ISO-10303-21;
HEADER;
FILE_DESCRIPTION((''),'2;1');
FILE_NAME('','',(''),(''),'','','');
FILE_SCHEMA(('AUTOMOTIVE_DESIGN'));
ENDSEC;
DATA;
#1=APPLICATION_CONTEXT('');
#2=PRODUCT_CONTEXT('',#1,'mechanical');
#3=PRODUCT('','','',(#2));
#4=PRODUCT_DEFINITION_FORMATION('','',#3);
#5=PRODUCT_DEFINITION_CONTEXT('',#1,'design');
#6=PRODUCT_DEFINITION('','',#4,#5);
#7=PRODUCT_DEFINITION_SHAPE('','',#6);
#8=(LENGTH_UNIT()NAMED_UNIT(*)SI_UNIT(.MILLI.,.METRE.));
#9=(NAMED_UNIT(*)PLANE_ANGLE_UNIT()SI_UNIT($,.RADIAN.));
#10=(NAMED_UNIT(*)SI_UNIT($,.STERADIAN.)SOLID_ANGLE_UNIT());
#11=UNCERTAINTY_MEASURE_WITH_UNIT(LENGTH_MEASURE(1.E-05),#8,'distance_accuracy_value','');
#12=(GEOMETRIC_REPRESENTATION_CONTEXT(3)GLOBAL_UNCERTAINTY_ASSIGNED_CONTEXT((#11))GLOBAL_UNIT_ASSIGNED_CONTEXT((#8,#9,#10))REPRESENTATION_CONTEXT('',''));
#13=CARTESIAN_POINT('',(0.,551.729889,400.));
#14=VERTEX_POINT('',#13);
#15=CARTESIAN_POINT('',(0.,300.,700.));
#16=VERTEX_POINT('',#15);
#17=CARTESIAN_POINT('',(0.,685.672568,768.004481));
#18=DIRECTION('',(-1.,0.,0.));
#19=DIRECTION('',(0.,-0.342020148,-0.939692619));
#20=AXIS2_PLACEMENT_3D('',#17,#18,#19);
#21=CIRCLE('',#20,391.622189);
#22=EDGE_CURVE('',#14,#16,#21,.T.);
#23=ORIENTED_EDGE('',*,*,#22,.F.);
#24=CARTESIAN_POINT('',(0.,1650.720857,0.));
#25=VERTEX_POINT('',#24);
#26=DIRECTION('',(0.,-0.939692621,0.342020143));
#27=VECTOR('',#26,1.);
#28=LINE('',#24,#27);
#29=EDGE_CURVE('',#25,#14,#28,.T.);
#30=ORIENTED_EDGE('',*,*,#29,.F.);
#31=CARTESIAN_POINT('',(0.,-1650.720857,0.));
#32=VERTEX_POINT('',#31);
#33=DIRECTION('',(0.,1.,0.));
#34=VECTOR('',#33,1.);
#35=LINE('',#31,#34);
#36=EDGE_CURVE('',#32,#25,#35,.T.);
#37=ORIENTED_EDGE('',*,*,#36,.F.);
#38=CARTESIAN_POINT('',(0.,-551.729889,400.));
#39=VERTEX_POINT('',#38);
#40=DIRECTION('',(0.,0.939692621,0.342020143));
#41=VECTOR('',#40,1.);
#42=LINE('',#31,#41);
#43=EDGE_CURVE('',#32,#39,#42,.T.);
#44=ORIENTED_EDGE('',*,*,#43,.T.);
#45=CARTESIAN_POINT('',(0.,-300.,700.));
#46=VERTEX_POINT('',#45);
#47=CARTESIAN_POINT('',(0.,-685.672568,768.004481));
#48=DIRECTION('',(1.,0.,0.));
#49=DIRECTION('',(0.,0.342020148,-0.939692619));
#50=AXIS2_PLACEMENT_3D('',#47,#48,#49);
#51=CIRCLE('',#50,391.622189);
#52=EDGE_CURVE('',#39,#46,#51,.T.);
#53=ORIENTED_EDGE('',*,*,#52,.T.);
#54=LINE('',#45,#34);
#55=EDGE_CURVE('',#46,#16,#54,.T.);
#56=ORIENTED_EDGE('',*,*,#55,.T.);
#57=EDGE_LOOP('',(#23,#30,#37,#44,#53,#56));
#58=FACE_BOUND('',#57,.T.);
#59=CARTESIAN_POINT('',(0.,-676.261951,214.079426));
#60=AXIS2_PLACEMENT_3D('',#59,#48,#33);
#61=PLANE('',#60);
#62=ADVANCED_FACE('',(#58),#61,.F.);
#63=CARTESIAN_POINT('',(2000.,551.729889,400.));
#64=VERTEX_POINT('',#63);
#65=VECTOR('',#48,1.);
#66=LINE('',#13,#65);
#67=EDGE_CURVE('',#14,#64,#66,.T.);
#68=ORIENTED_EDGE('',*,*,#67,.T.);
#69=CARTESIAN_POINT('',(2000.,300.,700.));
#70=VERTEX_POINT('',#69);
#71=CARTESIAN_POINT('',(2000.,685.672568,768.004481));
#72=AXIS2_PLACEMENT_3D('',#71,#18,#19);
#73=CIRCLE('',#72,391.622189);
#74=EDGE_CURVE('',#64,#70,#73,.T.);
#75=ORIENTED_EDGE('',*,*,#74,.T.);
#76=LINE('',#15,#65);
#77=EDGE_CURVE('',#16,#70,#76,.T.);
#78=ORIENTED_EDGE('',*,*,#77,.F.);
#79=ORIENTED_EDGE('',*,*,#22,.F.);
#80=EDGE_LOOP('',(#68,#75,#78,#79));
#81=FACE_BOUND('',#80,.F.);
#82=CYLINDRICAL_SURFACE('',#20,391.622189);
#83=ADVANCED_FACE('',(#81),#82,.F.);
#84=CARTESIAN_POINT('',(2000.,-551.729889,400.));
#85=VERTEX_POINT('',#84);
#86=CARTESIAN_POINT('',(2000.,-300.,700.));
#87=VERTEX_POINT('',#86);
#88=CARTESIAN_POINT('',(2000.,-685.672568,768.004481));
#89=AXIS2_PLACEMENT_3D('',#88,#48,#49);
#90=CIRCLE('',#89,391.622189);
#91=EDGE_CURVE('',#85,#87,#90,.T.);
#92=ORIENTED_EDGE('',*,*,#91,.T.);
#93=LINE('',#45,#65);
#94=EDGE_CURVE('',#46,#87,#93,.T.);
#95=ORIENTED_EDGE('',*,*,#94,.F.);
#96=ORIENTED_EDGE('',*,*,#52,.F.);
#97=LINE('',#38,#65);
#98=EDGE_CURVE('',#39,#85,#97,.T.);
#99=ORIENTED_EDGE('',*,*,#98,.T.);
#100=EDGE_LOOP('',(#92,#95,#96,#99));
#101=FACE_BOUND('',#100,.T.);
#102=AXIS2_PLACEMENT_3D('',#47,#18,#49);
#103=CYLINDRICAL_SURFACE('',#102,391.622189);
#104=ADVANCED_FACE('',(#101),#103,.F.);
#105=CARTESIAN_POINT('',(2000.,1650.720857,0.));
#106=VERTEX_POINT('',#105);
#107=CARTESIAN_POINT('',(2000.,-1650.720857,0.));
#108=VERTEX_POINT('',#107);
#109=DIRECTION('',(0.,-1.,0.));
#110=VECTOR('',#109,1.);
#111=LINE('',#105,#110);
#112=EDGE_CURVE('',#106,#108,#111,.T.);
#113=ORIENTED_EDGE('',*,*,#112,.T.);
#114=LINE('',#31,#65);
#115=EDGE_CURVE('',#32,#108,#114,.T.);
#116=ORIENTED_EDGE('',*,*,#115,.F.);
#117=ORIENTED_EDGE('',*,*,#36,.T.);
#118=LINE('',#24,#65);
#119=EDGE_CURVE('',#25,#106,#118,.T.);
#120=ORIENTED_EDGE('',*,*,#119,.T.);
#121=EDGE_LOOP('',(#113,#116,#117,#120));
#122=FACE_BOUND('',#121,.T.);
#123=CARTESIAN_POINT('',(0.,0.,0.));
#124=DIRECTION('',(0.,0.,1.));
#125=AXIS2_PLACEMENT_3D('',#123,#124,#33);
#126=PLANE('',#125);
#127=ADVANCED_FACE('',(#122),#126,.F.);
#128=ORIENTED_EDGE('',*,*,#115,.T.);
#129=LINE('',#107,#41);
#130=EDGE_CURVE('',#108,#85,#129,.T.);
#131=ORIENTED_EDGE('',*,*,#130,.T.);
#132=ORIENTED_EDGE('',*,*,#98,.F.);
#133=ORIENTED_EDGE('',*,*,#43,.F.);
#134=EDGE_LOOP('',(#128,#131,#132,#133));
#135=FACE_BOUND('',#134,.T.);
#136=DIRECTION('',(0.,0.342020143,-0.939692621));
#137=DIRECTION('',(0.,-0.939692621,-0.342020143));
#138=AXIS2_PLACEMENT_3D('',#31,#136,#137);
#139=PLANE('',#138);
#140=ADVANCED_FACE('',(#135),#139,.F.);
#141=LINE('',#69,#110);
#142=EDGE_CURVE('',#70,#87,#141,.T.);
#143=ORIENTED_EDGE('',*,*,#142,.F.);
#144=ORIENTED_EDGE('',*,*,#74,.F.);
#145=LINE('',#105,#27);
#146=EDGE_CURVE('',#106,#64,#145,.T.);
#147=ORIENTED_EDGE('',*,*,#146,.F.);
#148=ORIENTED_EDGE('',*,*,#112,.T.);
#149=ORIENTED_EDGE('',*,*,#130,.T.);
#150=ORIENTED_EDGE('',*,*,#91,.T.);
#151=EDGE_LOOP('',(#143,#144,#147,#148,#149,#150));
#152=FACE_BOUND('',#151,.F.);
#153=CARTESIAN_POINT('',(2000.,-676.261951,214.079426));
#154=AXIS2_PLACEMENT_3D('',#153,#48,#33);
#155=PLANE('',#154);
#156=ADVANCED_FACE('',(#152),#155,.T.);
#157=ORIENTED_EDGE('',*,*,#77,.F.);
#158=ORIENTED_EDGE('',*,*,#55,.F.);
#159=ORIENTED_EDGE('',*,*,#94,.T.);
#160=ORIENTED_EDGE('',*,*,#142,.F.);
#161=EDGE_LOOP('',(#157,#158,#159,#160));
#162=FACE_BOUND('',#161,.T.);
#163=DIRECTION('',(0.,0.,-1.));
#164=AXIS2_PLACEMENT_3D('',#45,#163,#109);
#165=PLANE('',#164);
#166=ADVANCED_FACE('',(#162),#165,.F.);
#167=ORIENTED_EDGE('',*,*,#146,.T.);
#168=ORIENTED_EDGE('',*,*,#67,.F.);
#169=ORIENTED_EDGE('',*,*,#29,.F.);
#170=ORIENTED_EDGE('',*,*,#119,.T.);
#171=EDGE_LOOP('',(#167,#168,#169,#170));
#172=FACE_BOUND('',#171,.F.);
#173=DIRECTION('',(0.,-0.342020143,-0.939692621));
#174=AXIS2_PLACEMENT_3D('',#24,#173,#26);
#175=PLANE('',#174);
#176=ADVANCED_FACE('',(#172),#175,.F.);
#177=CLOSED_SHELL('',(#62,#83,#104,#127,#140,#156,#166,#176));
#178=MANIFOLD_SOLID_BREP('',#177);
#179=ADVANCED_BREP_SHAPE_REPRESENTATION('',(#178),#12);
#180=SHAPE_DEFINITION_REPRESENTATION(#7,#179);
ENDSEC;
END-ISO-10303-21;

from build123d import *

# Parameters (mm, degrees)
F1_DEPTH = 2000


with BuildPart() as f1:
    # F0 (on Right) → F1 (new body)
    with BuildSketch(Plane.YZ):
        with BuildLine():
            Line((0, 700), (0, 0))
            Line((0, 0), (1650.720857, 0))
            Line((1650.720857, 0), (551.729889, 400))
            ThreePointArc((551.729889, 400), (385.672566, 516.27459), (300, 700))
            Line((300, 700), (0, 700))
        make_face()
    extrude(amount=F1_DEPTH)

    # F2: F1 across face


with BuildPart() as f1_1:
    add(f1.part)
    add(f1.part.mirror(Plane(origin=(1000, 0, 350), x_dir=(1, 0, 0), z_dir=(0, -1, 0))))


solid = f1_1.part
